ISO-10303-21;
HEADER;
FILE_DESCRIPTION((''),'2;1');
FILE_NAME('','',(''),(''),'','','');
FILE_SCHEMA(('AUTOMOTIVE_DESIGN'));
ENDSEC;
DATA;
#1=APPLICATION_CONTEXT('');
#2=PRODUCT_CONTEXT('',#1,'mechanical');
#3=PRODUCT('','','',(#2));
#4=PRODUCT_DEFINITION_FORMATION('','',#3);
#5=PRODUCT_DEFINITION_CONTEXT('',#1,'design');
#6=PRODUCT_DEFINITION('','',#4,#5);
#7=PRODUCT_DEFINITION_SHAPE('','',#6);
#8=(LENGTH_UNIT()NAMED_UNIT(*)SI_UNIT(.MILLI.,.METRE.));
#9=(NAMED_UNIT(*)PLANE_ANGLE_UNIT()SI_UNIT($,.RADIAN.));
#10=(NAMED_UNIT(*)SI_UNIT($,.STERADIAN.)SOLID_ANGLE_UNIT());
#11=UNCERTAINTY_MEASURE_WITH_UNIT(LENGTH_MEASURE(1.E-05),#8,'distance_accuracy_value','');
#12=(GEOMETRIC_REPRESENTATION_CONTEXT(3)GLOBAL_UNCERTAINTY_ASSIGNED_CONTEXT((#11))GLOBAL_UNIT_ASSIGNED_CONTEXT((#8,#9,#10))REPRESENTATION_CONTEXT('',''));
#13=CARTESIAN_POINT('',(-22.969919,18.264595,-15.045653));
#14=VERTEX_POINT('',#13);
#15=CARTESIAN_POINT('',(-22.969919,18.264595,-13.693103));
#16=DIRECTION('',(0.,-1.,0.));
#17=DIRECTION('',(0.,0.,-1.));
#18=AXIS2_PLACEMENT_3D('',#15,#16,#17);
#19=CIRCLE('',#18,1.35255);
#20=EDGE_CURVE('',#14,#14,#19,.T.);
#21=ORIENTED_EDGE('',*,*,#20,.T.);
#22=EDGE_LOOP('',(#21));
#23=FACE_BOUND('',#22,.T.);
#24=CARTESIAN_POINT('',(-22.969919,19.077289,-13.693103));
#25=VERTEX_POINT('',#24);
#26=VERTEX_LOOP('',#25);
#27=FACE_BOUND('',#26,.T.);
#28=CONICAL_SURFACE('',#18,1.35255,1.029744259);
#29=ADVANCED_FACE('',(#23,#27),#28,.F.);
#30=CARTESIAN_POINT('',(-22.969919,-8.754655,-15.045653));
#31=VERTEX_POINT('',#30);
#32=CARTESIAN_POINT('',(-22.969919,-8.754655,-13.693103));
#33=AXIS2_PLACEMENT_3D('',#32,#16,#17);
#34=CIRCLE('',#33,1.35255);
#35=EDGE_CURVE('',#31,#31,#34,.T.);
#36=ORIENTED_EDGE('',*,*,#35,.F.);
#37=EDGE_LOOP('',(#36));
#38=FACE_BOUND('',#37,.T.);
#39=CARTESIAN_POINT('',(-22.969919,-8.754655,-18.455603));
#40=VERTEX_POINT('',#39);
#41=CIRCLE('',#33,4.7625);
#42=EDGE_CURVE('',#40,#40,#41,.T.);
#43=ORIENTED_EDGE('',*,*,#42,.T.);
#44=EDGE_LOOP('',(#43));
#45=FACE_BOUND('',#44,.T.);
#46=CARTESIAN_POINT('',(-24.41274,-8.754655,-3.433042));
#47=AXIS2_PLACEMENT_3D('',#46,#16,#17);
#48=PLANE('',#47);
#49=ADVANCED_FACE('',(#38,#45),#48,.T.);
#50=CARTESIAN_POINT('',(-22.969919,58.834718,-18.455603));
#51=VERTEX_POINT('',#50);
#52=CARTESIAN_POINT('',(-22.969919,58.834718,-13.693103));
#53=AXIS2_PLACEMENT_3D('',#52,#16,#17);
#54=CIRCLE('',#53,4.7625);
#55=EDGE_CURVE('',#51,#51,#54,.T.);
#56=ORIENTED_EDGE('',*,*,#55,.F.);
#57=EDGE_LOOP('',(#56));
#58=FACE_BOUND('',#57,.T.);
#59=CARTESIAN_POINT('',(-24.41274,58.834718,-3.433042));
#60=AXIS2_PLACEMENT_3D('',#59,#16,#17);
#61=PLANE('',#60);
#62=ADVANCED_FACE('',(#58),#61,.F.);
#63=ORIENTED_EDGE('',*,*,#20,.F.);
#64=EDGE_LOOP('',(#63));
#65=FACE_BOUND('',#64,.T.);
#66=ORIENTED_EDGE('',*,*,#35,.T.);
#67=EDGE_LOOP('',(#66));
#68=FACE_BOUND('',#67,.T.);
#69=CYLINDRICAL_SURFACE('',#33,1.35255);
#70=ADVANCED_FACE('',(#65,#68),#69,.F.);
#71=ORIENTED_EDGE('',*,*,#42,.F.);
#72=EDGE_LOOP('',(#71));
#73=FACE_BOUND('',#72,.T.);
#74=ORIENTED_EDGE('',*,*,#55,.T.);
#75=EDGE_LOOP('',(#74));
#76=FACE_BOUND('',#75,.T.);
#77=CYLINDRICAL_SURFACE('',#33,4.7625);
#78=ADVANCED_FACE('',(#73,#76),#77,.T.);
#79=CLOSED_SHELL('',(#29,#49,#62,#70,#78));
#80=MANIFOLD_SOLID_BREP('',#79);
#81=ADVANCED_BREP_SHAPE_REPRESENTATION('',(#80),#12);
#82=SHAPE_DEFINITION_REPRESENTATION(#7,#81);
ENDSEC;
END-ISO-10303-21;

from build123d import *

# Parameters (mm, degrees)
SKETCH1_W                 = 4.7625
SKETCH1_H                 = 67.589372962
F_6_32_TAPPED_HOLE1_D     = 2.7051
F_6_32_TAPPED_HOLE1_DEPTH = 27.01925
F_6_32_TAPPED_HOLE1_TIP   = 0.81269403


with BuildPart() as part:
    # Sketch1 → Revolve1 (revolve)
    with BuildSketch(Plane(origin=(-24.412739892, 0, -3.433041547), x_dir=(0.13925483139909503, 0, -0.9902565788380351), z_dir=(0.9902565788380351, 0, 0.13925483139909503)), mode=Mode.PRIVATE) as revolve1_sk:
        with Locations((7.979763498, 25.040031321)):
            Rectangle(SKETCH1_W, SKETCH1_H)
    revolve(revolve1_sk.sketch.rotate(Axis((-22.969918704, -8.75465516, -13.693103328), (0, 1, 0)), 188.004728857), axis=Axis((-22.969918704, -8.75465516, -13.693103328), (0, 1, 0)))

    # #6-32 Tapped Hole1
    with Locations(Plane(origin=(0, -8.75465516, 0), x_dir=(-1, 0, 0), z_dir=(0, -1, 0))):
        with Locations((22.969918704, 13.693103328)):
            Hole(F_6_32_TAPPED_HOLE1_D / 2, depth=F_6_32_TAPPED_HOLE1_DEPTH)
            with Locations((0, 0, -(F_6_32_TAPPED_HOLE1_DEPTH + F_6_32_TAPPED_HOLE1_TIP / 2))):  # 118° drill point
                Cone(0, F_6_32_TAPPED_HOLE1_D / 2, F_6_32_TAPPED_HOLE1_TIP, mode=Mode.SUBTRACT)


solid = part.part
